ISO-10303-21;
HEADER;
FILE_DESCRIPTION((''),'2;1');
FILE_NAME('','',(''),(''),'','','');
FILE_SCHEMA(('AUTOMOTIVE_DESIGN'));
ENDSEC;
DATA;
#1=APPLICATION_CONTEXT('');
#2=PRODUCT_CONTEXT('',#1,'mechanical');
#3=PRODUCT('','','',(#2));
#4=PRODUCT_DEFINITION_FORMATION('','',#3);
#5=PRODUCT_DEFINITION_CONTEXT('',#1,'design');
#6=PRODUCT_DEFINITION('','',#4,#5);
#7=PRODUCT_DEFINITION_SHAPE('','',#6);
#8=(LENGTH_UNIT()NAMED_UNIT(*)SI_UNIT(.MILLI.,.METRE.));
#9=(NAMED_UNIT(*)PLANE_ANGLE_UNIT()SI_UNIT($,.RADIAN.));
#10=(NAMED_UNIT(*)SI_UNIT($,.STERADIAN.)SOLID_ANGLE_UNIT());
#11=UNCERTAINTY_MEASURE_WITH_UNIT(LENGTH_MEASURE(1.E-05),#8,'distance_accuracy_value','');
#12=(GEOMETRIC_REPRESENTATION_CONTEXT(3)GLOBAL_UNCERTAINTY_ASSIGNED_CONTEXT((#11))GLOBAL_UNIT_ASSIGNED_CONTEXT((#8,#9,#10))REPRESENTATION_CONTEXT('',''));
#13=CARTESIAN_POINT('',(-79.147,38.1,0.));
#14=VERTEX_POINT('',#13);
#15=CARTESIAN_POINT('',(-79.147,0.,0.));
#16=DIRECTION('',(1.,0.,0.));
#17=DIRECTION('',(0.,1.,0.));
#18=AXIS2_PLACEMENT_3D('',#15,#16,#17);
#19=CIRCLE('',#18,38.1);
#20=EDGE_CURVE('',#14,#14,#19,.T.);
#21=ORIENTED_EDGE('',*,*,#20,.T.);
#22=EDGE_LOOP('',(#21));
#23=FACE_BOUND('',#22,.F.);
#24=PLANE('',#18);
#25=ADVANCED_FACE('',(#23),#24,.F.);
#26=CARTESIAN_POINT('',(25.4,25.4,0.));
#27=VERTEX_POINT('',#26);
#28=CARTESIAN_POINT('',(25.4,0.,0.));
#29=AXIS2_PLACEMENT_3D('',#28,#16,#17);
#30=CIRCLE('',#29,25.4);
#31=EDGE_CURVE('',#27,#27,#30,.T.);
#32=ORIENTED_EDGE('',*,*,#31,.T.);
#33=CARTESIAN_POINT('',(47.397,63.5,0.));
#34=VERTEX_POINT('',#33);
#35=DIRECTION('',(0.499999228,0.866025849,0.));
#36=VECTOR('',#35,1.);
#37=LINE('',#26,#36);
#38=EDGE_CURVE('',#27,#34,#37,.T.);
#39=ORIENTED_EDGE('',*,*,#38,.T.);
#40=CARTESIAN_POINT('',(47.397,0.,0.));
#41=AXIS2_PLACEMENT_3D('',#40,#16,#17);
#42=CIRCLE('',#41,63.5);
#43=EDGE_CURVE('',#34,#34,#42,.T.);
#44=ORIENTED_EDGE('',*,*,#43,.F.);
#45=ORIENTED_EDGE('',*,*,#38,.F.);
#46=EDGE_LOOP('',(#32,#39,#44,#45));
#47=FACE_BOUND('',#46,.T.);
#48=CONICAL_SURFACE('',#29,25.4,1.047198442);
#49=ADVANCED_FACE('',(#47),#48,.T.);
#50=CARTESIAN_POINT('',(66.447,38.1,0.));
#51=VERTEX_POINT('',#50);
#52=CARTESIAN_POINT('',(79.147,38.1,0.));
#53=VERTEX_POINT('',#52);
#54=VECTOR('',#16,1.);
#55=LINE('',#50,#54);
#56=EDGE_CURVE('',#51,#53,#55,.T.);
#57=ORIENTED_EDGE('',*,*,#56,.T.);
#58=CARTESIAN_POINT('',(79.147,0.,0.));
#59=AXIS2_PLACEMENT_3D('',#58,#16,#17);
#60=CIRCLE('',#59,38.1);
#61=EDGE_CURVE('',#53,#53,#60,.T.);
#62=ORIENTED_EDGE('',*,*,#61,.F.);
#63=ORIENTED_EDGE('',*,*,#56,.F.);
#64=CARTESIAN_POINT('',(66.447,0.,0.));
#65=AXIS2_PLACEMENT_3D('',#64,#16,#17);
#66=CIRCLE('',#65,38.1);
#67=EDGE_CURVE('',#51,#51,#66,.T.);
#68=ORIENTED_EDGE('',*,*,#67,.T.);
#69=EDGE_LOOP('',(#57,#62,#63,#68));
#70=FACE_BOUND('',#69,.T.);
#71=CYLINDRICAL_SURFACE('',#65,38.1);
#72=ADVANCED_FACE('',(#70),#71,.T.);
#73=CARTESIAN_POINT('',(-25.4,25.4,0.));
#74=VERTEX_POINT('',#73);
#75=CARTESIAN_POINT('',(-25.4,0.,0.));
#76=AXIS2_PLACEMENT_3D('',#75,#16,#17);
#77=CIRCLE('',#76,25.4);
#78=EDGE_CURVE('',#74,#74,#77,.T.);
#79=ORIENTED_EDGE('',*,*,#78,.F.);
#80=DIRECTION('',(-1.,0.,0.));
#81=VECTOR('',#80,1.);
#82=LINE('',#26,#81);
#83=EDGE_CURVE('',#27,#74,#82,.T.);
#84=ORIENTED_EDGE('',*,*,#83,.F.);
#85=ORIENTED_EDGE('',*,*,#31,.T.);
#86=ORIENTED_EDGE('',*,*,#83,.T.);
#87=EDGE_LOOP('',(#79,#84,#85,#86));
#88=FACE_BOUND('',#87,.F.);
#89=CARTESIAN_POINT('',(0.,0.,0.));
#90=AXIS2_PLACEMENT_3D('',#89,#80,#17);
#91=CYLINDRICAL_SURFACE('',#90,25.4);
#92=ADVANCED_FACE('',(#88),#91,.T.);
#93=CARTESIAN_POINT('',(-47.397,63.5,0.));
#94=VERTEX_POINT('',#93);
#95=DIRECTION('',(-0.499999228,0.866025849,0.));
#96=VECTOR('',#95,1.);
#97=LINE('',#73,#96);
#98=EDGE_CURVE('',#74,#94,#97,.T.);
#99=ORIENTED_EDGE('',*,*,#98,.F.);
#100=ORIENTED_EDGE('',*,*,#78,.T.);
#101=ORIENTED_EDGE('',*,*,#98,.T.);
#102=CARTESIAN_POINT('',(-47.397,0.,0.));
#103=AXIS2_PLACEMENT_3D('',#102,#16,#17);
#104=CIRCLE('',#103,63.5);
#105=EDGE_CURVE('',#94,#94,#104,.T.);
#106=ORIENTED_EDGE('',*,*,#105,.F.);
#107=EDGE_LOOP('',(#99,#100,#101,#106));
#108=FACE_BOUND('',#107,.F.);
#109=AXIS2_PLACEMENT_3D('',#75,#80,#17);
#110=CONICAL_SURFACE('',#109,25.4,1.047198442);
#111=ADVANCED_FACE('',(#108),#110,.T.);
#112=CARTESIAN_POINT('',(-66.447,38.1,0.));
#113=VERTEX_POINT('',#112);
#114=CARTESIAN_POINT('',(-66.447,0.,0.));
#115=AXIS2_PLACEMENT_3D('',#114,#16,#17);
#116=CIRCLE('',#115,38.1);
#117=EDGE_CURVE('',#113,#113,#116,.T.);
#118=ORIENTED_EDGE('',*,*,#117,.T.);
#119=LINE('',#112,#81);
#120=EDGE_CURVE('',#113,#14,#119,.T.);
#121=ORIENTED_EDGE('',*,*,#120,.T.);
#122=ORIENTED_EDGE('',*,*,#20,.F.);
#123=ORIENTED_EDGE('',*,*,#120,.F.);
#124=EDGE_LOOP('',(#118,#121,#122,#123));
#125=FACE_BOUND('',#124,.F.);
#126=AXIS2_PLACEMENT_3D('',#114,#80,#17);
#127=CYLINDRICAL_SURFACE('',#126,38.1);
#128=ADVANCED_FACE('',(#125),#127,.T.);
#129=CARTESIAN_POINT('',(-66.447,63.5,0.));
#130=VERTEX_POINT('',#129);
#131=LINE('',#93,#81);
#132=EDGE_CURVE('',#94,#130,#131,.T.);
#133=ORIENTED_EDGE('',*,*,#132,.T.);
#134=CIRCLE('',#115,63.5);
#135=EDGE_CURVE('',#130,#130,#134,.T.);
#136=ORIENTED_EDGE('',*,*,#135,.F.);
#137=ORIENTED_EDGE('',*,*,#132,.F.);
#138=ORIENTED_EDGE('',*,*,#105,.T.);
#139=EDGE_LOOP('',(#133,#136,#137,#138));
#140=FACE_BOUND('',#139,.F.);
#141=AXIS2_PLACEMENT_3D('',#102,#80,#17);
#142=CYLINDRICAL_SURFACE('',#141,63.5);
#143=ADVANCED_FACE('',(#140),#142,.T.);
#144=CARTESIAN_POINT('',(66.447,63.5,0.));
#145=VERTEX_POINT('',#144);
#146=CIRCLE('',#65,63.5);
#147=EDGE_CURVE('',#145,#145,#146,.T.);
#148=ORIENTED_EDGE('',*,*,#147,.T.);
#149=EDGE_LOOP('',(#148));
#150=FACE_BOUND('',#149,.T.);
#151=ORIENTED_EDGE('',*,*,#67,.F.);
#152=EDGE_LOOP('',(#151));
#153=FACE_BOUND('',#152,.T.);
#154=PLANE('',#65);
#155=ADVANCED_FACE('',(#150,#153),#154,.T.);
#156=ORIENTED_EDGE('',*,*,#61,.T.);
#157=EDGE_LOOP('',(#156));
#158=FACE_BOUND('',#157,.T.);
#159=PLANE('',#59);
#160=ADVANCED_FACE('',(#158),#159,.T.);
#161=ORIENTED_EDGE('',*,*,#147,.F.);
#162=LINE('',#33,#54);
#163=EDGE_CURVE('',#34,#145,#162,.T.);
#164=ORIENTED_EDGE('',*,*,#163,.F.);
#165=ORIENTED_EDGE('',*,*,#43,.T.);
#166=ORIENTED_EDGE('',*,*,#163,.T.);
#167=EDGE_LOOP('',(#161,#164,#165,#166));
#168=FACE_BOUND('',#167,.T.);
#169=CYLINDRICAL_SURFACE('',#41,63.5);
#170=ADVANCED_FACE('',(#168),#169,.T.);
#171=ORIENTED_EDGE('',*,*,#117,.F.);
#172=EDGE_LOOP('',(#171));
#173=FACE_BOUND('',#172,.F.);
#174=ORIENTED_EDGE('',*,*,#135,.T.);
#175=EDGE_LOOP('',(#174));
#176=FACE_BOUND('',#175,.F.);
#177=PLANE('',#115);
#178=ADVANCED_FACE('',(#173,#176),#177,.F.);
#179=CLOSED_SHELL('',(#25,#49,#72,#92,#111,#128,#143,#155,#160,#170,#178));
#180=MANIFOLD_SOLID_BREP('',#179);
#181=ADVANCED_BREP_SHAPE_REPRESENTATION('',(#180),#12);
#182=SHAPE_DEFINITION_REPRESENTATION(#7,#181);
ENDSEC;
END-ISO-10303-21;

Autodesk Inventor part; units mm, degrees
ref_plane "YZ Plane" through (0, 0, 0) normal (1, 0, 0) x (0, 1, 0)
ref_plane "XZ Plane" through (0, 0, 0) normal (0, 1, 0) x (-1, 0, 0)
ref_plane "XY Plane" through (0, 0, 0) normal (0, 0, 1) x (1, 0, 0)
sketch "Sketch1" plane through (0, 0, 0) normal (0, 0, 1) x (1, 0, 0)
  line L0 (0, 25.4) -> (-25.4, 25.4)
  line L1 (-25.4, 25.4) -> (-47.397, 63.5)
  line L2 (-47.397, 63.5) -> (-66.447, 63.5)
  line L3 (-66.447, 63.5) -> (-66.447, 38.1)
  line L4 (-66.447, 38.1) -> (-79.147, 38.1)
  line L5 (0, -12.7) -> (0, 76.2) projected
  line L6 (-110.8059, 0) -> (110.8059, 0) projected
  line L7 (0, 25.4) -> (25.4, 25.4)
  line L8 (25.4, 25.4) -> (47.397, 63.5)
  line L9 (47.397, 63.5) -> (66.447, 63.5)
  line L10 (66.447, 63.5) -> (66.447, 38.1)
  line L11 (66.447, 38.1) -> (79.147, 38.1)
  line L12 (79.147, 38.1) -> (79.147, 0)
  line L13 (-79.147, 38.1) -> (-79.147, 0)
  line L14 (-79.147, 0) -> (79.147, 0)
  point P0 (0, 0)
  dimension "d3" = 19.05
  dimension "d13" = 60
  dimension "d14" = 12.7
  dimension "d15" = 127
  dimension "d16" = 76.2
  dimension "d17" = 50.8
  dimension "d18" = 50.8
revolve "Revolution1" add sketch "Sketch1" angle 360 about axis through (-79.147, 0, 0) along (1, 0, 0)
properties part number "Ch3 Part 3"
